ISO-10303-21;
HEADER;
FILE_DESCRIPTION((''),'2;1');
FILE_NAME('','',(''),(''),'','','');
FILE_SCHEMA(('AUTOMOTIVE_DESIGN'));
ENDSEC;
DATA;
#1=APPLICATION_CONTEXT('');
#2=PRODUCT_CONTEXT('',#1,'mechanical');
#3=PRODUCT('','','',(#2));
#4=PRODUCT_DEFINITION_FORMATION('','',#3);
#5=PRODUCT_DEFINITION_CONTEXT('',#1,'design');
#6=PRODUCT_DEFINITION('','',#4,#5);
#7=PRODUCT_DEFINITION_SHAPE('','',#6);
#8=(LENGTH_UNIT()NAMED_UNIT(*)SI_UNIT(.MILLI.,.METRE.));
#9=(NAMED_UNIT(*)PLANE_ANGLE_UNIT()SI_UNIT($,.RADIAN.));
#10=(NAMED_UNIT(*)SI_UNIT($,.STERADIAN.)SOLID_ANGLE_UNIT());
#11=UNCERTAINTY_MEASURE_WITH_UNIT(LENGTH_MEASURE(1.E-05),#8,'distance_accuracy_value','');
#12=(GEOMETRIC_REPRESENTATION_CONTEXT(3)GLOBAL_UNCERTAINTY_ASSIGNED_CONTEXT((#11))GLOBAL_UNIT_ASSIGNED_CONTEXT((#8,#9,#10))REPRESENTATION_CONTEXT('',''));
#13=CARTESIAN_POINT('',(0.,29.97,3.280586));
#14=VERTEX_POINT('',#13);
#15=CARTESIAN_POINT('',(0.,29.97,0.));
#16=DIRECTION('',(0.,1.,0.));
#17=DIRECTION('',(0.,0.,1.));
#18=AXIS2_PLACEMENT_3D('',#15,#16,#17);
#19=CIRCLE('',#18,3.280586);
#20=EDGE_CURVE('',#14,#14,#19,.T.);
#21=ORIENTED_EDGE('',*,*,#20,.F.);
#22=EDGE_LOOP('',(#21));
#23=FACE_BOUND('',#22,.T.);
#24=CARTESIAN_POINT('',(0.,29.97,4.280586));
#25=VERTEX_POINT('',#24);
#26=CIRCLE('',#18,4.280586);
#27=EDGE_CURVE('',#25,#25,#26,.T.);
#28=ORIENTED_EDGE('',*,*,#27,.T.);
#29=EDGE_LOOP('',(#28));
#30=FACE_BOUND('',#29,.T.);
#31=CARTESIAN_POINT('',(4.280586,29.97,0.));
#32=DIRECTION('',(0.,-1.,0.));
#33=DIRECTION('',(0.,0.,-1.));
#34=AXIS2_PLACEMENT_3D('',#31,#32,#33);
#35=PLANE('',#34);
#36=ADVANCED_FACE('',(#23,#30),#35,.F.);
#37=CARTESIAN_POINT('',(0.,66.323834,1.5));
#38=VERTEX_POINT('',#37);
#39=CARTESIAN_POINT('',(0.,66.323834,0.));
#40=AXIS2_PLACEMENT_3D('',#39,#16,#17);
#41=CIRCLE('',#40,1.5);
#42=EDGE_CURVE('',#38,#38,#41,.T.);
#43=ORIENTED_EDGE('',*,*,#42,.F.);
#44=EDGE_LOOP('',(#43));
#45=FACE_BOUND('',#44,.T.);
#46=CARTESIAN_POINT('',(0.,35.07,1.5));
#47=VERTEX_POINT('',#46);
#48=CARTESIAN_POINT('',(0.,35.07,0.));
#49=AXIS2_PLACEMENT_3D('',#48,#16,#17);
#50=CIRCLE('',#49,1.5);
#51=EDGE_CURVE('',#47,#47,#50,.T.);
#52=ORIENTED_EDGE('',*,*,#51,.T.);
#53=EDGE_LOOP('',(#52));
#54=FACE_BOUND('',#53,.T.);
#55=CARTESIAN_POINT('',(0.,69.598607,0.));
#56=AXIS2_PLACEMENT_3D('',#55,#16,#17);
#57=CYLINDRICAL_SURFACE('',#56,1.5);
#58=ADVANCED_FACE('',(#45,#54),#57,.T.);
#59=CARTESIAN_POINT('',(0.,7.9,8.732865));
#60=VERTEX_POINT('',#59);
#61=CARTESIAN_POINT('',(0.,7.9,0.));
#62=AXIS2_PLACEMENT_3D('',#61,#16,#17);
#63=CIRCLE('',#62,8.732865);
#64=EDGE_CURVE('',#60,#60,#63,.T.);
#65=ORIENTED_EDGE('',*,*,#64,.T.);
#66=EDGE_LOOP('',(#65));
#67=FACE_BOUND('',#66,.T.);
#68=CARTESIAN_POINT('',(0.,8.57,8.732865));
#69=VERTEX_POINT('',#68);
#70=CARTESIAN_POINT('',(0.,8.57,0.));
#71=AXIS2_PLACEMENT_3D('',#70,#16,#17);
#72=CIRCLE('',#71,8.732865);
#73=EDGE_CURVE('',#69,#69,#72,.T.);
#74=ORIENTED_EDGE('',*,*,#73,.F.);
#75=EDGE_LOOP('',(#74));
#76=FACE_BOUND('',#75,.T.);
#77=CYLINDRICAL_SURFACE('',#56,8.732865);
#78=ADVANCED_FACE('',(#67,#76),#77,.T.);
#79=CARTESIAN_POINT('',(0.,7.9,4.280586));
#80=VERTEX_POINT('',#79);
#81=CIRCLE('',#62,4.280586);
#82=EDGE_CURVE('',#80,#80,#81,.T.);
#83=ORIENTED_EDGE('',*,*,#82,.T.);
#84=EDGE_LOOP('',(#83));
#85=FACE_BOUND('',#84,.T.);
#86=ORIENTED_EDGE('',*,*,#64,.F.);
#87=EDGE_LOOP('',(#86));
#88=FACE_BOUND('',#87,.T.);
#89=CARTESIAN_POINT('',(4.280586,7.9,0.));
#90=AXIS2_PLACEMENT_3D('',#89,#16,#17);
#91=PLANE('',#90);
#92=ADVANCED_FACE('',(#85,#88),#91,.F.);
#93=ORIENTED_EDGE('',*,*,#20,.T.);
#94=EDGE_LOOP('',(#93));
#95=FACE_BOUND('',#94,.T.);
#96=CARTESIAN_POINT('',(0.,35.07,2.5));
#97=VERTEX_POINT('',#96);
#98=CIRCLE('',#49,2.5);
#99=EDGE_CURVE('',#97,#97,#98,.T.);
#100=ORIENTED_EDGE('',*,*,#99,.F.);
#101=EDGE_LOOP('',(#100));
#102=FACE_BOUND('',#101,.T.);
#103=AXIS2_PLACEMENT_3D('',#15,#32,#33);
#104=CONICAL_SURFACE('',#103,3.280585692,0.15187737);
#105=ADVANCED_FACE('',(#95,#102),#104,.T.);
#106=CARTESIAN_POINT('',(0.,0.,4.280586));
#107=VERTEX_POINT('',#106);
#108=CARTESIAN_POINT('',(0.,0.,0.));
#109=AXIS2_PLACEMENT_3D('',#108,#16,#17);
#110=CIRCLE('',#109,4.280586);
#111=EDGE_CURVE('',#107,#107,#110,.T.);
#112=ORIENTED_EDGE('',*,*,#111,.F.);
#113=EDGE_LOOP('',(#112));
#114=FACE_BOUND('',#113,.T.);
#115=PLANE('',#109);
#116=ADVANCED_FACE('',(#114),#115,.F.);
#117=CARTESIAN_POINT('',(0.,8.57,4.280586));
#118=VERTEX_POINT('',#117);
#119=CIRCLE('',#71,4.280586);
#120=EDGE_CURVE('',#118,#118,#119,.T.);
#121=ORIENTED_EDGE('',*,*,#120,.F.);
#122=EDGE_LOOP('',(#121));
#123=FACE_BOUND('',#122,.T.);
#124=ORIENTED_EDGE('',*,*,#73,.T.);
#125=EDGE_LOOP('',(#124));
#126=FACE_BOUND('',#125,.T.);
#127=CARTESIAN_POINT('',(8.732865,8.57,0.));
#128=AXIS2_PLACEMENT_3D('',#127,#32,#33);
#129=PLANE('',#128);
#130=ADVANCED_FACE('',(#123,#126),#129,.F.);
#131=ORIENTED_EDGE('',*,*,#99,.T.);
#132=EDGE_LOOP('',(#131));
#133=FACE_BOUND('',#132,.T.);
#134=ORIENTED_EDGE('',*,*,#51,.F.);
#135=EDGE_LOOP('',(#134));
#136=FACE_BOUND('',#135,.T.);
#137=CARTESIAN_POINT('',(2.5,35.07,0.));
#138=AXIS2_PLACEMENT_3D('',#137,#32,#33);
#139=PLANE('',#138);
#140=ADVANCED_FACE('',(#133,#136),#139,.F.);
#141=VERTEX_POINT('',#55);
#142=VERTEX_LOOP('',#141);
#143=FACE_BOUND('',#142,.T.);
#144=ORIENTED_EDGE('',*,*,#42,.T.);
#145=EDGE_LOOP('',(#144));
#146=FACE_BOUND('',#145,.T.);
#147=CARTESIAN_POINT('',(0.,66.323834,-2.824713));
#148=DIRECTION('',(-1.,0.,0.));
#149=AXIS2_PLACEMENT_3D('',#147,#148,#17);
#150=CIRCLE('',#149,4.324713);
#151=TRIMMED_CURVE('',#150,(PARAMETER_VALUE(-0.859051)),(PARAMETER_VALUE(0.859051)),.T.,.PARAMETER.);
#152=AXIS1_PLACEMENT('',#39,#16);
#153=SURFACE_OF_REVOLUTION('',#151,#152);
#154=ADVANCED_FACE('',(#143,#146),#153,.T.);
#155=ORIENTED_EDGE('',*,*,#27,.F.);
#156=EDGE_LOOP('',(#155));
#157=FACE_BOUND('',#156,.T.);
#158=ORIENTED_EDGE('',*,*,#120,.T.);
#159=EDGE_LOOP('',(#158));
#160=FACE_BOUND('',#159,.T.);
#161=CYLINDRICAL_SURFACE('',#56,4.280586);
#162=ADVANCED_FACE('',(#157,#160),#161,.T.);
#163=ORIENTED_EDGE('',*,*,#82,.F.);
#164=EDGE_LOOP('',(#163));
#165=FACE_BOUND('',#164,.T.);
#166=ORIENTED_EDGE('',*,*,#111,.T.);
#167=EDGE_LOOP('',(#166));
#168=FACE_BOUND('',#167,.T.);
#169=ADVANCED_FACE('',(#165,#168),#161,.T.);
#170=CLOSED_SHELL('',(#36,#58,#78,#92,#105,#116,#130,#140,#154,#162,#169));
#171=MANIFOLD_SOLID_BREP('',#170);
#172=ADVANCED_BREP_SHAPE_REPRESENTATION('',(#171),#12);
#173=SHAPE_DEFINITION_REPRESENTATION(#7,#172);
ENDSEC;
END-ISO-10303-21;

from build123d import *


with BuildPart() as part:
    # Sketch1 → Revolve1 (revolve)
    with BuildSketch(Plane.XY, mode=Mode.PRIVATE) as revolve1_sk:
        with BuildLine():
            Line((0, 0), (4.280585692, 0))
            Line((4.280585692, 0), (4.280585692, 7.9))
            Line((4.280585692, 7.9), (8.732864907, 7.9))
            Line((8.732864907, 7.9), (8.732864907, 8.57))
            Line((8.732864907, 8.57), (4.280585692, 8.57))
            Line((4.280585692, 8.57), (4.280585692, 29.97))
            Line((4.280585692, 29.97), (3.280585692, 29.97))
            Line((3.280585692, 29.97), (2.5, 35.07))
            Line((2.5, 35.07), (1.5, 35.07))
            Line((1.5, 35.07), (1.5, 66.323834281))
            ThreePointArc((1.5, 66.323834281), (1.107157772, 68.124815809), (0, 69.598607228))
            Line((0, 69.598607228), (0, 0))
        make_face()
    revolve(revolve1_sk.sketch.rotate(Axis((0, 69.598607228, 0), (0, -1, 0)), 90), axis=Axis((0, 69.598607228, 0), (0, -1, 0)))


solid = part.part
